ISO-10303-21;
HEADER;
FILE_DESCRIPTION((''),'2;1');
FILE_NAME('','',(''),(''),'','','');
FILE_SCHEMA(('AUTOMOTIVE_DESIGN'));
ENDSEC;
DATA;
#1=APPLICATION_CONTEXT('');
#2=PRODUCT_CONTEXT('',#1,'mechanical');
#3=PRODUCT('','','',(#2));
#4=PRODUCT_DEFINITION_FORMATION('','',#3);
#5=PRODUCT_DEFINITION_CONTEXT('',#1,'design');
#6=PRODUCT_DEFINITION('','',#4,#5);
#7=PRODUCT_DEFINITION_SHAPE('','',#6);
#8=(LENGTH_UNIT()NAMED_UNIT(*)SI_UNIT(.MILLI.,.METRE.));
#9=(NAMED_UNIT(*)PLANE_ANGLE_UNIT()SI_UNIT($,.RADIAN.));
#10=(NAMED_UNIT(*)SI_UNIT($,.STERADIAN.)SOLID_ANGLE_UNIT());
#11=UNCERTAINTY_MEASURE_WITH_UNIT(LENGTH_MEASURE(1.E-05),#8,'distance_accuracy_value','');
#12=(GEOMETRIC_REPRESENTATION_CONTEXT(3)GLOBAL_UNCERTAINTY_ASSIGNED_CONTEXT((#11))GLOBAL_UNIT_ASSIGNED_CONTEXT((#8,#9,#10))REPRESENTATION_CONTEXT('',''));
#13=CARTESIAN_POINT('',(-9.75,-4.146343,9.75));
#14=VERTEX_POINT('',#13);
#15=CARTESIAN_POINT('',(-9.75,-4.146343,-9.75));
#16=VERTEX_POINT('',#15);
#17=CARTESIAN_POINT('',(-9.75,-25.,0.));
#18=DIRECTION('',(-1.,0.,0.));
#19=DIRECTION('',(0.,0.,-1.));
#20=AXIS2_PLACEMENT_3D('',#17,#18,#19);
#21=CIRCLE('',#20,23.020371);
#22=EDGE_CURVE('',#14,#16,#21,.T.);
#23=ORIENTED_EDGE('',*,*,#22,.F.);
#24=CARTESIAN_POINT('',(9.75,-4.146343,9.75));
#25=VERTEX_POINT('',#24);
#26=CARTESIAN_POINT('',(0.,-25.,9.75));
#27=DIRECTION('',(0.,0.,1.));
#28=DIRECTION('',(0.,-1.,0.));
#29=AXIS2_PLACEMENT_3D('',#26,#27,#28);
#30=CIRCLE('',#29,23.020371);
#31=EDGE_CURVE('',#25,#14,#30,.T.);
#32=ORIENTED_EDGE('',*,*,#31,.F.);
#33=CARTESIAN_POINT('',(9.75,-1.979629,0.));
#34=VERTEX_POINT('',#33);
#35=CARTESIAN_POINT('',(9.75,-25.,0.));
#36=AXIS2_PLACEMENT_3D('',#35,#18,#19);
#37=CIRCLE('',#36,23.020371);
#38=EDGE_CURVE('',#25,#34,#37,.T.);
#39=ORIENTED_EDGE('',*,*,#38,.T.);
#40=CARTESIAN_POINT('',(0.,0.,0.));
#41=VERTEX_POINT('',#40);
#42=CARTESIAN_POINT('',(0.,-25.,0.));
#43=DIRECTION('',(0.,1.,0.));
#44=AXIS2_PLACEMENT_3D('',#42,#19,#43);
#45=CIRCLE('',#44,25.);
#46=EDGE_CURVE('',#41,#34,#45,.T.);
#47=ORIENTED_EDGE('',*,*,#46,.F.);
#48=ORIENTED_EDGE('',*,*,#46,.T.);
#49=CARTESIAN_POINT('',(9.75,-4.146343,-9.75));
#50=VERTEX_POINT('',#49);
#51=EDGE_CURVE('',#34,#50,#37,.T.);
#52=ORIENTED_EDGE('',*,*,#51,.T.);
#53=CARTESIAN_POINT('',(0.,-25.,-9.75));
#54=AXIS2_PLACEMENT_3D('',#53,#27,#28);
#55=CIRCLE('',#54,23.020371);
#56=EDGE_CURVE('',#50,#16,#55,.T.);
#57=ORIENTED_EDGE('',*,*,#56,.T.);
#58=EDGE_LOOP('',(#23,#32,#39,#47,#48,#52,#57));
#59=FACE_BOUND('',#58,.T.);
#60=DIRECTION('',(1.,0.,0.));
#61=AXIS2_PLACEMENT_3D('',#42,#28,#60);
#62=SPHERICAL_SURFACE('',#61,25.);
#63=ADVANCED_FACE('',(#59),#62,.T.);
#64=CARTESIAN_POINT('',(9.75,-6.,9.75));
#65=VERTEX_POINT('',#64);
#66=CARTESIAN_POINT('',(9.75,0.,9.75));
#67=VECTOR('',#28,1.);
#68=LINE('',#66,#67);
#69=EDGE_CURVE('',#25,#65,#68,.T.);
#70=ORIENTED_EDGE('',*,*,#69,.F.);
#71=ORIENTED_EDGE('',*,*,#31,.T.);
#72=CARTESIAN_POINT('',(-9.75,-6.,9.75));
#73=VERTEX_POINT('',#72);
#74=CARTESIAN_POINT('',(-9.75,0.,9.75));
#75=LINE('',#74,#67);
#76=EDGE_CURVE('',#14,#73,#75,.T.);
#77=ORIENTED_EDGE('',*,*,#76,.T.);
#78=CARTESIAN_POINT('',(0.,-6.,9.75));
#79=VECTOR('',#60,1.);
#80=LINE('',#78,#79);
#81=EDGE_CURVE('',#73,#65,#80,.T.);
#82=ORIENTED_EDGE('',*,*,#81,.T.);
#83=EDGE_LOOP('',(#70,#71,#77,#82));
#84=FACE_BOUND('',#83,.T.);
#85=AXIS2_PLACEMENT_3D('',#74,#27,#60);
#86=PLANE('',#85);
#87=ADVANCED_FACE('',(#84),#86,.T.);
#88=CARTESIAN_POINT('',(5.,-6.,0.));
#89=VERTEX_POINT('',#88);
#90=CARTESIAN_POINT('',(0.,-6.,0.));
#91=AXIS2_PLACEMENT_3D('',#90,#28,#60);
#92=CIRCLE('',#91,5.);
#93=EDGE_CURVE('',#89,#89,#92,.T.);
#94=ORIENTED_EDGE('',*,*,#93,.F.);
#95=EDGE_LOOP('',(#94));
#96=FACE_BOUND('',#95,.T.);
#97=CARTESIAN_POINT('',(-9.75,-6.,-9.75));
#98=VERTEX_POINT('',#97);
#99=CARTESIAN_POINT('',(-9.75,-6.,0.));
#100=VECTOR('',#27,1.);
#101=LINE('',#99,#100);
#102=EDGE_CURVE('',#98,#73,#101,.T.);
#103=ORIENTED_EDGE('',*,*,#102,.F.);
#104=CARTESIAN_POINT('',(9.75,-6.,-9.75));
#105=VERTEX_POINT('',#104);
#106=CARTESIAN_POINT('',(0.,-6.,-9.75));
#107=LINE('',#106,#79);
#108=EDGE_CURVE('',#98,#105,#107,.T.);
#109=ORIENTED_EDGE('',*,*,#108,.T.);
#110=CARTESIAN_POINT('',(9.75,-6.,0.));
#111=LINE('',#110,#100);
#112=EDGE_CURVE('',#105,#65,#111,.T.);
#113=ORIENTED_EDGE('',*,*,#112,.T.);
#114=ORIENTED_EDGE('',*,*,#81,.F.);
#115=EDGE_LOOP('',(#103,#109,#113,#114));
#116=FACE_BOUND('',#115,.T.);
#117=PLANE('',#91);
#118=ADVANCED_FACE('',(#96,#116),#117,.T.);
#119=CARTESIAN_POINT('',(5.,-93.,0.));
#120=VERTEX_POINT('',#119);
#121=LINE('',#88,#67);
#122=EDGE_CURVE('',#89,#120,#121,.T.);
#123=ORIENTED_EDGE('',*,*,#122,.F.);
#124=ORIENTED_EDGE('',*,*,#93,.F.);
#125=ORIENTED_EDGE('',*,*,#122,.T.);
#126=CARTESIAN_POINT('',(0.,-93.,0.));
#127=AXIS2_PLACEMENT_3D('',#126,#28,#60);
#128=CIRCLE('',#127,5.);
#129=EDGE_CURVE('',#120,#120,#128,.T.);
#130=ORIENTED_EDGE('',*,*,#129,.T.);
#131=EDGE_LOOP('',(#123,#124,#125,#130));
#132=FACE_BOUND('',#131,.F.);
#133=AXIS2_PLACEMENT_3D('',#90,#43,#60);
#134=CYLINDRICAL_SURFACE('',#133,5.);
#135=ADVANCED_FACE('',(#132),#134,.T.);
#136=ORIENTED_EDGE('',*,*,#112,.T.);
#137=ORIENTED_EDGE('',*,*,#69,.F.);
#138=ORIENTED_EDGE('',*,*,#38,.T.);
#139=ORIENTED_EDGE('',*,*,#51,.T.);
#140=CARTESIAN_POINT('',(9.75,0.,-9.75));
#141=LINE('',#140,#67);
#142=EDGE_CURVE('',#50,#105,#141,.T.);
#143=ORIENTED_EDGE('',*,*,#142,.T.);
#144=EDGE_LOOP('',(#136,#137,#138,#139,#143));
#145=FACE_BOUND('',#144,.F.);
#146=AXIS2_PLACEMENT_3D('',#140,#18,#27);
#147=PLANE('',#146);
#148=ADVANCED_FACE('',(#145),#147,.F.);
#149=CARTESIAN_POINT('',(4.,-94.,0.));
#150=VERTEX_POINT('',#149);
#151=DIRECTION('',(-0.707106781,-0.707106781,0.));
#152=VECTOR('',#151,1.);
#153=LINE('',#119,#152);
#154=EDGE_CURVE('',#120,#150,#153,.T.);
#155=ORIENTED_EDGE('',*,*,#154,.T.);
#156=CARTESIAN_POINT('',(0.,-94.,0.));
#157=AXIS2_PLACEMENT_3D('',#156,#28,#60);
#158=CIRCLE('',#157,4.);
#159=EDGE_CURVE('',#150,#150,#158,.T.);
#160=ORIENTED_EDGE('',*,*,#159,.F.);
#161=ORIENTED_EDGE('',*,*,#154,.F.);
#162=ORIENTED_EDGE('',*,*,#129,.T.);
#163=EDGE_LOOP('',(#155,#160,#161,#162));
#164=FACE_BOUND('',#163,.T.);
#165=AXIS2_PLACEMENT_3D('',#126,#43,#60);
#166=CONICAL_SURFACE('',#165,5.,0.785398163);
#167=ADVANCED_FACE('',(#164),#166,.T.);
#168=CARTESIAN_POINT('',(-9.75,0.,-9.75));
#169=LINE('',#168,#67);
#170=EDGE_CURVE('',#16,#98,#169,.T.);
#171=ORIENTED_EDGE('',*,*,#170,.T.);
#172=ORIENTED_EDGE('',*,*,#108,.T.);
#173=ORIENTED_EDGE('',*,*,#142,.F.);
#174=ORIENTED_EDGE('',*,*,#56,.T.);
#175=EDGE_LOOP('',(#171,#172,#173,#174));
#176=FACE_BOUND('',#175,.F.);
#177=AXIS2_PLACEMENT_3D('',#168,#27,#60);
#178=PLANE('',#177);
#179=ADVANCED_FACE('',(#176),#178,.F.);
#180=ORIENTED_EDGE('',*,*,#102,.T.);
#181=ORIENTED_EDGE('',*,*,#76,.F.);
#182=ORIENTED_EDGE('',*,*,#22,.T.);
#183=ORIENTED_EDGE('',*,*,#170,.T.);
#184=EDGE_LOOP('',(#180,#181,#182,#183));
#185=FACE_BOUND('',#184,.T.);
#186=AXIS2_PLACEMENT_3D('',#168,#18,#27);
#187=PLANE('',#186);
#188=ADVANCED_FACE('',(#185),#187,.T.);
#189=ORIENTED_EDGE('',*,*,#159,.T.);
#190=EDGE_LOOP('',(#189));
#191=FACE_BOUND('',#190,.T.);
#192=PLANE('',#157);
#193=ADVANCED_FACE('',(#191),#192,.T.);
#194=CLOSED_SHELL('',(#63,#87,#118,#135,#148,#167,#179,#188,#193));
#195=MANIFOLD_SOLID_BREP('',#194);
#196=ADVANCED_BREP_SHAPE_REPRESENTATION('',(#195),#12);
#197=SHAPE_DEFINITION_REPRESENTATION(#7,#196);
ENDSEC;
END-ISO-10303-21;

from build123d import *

# Parameters (mm, degrees)
F0_W     = 19.5
F0_H     = 19.5
F1_DEPTH = 6
F2_R     = 5
F3_DEPTH = 88
F4_SIZE  = 1


with BuildPart() as f1:
    # F0 (on Front) → F1 (new body)
    with BuildSketch(Plane.XZ):
        Rectangle(F0_W, F0_H)
    extrude(amount=F1_DEPTH)

    # F2 (on face) → F3 (join)
    with BuildSketch(Plane.XZ.offset(6)):
        Circle(F2_R)
    extrude(amount=F3_DEPTH)

    # F4
    f4_edges = [f1.edges().sort_by_distance(p)[0] for p in [
        (-5, -94, 0),
    ]]
    chamfer(f4_edges, length=F4_SIZE)

    # F5 (on Top) → F6 (revolve, cut)
    with BuildSketch(Plane.XY):
        with BuildLine():
            ThreePointArc((0, 0), (17.6776695297, -7.3223304703), (25, -25))
            Line((25, -25), (35.5271379938, -25))
            ThreePointArc((35.5271379938, -25), (25.1214801916, 0.1214801916), (0, 10.5271379938))
            Line((0, 10.5271379938), (0, 0))
        make_face()
    revolve(axis=Axis((0, 5.2635689969, 0), (0, -1, 0)), mode=Mode.SUBTRACT)


solid = f1.part
